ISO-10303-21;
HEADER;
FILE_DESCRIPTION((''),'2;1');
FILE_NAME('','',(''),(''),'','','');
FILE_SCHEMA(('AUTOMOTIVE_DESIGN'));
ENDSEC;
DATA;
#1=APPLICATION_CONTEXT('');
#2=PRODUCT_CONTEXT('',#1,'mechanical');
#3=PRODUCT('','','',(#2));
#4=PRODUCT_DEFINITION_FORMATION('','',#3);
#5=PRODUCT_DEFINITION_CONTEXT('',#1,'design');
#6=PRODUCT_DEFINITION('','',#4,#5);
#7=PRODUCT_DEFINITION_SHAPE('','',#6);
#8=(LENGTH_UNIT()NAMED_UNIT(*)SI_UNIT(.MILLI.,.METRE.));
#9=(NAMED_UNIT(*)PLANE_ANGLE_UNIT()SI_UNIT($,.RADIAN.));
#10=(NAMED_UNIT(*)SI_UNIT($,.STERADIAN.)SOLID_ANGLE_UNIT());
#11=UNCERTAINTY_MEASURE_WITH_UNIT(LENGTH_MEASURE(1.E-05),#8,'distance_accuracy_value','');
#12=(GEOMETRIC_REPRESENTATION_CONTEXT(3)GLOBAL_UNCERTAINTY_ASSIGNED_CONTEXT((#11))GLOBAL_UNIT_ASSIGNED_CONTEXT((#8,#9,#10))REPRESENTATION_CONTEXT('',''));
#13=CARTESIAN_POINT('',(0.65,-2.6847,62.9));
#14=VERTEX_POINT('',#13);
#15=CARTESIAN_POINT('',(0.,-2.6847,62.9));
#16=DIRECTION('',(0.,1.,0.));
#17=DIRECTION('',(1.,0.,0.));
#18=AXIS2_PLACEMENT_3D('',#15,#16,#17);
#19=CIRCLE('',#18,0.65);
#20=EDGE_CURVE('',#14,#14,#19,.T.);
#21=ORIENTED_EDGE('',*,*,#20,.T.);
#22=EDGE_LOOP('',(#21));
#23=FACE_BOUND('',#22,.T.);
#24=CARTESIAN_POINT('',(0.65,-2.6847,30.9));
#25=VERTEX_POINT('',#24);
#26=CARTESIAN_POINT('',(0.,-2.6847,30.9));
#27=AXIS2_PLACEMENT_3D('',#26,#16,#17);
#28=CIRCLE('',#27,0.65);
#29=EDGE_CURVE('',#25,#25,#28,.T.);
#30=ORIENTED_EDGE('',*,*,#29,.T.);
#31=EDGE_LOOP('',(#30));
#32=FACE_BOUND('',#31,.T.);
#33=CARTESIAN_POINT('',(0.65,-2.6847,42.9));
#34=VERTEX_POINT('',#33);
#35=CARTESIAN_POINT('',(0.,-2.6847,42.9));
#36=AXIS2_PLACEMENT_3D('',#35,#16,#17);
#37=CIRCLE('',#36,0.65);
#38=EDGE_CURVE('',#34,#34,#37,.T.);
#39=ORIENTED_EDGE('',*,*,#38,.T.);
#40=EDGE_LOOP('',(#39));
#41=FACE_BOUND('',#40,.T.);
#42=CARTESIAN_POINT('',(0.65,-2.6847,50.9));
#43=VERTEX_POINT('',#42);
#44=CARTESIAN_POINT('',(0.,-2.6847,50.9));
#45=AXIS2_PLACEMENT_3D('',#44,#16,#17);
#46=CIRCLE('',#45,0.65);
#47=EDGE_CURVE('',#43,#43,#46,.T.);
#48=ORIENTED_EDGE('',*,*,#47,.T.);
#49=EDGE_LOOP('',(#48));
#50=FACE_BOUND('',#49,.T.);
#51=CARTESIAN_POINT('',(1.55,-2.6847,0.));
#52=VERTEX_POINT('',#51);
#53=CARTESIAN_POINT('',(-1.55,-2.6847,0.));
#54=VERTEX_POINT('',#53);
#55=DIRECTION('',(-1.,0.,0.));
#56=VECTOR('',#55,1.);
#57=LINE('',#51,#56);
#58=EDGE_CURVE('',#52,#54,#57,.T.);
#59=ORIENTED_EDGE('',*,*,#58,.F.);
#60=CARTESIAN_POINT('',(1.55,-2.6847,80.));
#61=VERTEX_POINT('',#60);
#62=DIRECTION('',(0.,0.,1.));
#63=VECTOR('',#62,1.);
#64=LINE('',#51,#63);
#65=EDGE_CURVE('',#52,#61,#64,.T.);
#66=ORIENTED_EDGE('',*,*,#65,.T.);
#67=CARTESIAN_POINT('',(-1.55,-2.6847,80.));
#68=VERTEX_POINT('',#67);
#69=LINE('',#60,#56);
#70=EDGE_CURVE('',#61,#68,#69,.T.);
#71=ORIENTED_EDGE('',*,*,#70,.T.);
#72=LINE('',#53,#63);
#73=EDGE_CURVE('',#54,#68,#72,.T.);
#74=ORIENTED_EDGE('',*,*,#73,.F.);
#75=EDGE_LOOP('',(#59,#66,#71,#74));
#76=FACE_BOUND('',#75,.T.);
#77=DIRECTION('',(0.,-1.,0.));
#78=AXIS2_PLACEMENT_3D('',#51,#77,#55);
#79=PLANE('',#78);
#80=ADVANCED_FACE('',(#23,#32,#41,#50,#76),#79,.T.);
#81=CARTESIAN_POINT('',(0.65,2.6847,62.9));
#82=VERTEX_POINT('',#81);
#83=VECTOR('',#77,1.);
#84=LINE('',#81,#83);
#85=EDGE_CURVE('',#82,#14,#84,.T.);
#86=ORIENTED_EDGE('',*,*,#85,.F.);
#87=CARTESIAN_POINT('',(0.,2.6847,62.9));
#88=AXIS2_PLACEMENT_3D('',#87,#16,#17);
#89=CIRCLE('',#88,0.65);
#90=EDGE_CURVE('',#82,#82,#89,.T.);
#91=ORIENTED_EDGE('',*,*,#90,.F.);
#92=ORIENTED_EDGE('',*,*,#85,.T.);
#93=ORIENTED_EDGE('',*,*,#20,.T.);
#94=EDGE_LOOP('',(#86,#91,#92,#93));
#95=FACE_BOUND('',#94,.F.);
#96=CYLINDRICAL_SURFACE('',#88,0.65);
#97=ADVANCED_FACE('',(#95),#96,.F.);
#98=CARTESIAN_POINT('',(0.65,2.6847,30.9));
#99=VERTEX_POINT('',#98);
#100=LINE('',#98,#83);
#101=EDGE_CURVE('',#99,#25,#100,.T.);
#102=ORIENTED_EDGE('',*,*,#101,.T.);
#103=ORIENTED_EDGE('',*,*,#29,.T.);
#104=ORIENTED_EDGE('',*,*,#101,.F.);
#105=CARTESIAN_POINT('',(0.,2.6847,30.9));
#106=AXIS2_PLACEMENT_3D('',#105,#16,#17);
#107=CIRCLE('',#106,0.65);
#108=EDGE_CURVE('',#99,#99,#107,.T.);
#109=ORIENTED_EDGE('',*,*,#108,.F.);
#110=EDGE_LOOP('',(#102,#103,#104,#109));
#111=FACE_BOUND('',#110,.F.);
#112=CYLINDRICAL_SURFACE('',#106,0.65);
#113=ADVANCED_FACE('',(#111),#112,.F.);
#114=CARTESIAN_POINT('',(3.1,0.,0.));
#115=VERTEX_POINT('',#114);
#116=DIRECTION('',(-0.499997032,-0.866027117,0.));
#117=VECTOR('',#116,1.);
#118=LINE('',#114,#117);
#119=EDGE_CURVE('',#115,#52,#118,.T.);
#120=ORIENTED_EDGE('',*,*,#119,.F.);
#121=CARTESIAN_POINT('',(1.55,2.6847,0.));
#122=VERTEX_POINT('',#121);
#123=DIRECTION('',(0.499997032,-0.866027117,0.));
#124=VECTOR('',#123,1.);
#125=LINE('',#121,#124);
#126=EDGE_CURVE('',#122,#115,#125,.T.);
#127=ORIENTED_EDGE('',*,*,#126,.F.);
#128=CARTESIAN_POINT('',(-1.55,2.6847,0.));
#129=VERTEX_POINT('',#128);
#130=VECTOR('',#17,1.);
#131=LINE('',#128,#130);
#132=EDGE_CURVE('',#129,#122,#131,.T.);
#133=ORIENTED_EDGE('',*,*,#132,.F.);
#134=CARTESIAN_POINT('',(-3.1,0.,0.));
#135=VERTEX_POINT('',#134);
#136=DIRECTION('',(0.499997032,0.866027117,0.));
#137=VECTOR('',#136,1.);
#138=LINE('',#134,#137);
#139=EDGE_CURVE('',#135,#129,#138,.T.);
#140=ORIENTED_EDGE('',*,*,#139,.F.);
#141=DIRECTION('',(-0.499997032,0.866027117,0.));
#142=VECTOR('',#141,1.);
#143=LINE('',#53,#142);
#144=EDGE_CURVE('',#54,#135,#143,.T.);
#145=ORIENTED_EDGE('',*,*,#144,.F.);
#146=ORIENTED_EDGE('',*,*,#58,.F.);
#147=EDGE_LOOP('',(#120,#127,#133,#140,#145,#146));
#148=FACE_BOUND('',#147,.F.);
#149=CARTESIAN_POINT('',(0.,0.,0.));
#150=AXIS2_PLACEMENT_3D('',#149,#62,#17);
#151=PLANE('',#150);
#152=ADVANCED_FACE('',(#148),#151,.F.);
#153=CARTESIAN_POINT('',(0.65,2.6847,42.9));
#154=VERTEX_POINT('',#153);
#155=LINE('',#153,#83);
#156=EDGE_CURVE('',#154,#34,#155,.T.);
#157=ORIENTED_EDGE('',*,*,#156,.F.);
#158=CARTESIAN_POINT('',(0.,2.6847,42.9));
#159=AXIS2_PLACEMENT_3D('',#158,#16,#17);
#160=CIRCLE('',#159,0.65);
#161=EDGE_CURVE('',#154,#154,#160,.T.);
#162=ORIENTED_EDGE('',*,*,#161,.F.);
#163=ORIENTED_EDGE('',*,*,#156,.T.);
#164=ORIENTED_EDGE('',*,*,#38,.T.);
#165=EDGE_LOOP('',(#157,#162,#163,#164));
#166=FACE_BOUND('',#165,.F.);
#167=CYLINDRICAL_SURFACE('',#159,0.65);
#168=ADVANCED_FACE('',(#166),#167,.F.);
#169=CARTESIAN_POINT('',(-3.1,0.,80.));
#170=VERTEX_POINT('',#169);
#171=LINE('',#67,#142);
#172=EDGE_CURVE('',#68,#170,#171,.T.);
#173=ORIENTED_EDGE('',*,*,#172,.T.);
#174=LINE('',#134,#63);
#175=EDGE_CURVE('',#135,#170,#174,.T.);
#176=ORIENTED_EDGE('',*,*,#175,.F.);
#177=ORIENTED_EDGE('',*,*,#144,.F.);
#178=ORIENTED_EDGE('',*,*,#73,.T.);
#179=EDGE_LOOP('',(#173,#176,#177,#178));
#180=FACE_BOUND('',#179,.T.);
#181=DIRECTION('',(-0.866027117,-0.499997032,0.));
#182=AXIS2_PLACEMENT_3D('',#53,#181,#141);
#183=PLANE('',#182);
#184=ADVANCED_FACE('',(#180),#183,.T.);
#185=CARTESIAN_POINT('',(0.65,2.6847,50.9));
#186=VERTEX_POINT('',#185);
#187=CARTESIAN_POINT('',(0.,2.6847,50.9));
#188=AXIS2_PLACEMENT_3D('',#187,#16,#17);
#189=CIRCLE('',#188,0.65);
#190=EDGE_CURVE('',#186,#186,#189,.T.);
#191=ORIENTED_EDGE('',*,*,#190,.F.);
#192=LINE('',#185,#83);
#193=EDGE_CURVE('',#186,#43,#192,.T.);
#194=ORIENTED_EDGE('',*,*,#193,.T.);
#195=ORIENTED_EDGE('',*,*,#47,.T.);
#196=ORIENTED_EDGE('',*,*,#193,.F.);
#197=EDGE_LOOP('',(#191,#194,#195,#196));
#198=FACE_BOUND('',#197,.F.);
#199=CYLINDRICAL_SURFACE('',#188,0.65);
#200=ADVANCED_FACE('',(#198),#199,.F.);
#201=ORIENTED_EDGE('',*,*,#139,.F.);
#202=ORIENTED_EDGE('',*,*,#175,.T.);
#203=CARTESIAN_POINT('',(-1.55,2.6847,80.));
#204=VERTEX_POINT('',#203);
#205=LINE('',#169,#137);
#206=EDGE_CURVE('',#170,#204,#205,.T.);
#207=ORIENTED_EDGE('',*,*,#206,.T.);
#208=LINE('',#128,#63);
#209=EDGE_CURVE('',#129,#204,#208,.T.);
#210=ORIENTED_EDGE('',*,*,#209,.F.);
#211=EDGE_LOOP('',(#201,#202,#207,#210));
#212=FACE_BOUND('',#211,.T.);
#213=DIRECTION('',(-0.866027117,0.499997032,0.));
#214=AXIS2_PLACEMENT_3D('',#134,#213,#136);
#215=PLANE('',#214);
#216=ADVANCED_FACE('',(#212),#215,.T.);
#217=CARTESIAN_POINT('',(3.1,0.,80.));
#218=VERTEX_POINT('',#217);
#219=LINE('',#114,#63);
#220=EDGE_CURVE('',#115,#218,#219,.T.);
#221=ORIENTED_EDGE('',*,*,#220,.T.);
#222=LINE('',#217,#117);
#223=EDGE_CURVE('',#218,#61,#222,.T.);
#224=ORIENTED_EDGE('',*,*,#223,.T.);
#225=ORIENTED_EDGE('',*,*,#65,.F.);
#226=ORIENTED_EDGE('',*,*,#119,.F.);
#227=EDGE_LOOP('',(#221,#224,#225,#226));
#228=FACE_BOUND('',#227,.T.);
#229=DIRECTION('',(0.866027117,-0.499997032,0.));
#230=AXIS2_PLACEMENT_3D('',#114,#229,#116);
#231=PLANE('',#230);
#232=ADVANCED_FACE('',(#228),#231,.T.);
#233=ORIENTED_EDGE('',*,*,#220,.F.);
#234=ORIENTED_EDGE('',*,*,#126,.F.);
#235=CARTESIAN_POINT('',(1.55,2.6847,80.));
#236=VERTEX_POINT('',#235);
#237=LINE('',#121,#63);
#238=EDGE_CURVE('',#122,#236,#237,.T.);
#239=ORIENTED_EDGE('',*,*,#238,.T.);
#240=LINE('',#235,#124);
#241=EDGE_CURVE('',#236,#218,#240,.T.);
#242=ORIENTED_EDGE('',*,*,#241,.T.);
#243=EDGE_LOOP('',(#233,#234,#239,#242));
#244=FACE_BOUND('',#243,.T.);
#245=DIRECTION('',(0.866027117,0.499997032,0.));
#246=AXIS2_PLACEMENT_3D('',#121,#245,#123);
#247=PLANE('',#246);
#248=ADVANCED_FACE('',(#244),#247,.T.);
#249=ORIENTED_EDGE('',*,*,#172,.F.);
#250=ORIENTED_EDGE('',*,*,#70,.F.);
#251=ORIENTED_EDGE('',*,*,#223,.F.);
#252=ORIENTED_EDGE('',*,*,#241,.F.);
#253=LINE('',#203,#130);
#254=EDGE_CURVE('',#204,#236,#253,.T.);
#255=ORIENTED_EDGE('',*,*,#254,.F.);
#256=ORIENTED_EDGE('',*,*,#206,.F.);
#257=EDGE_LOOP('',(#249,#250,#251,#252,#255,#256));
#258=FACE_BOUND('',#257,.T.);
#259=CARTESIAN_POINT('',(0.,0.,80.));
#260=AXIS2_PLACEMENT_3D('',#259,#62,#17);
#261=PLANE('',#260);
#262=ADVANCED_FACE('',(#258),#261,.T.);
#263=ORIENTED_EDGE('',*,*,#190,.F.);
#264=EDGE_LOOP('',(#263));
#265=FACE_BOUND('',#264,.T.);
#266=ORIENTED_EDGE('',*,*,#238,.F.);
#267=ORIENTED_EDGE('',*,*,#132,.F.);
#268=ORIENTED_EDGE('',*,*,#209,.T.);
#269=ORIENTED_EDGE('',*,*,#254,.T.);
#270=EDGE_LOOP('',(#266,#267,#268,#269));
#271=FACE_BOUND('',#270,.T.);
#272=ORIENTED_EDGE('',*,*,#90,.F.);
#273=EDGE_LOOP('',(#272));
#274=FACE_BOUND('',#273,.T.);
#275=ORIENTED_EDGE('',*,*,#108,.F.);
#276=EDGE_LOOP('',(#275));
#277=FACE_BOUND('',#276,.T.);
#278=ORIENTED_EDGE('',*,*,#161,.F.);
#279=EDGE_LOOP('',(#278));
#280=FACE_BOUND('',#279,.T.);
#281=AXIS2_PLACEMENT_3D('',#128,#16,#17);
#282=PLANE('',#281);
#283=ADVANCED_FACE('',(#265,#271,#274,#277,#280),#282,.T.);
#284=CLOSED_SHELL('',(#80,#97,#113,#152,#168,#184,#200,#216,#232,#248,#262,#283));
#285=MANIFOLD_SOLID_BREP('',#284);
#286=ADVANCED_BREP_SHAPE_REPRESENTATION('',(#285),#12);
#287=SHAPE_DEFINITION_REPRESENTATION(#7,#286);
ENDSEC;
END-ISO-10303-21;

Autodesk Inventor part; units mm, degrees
ref_plane "YZ Plane" through (0, 0, 0) normal (1, 0, 0) x (0, 1, 0)
ref_plane "XZ Plane" through (0, 0, 0) normal (0, 1, 0) x (-1, 0, 0)
ref_plane "XY Plane" through (0, 0, 0) normal (0, 0, 1) x (1, 0, 0)
sketch "Sketch5" plane through (0, 0, 0) normal (0, 0, 1) x (1, 0, 0)
  line L0 (0, 0) -> (3.1, 0) construction
  circle A0 centre (0, 0) radius 3.1 construction
  line L1 (0, 0) -> (1.55, 2.6847) construction
  line L2 (0, 0) -> (-1.55, 2.6847) construction
  line L3 (0, 0) -> (-3.1, 0) construction
  line L4 (0, 0) -> (-1.55, -2.6847) construction
  line L5 (0, 0) -> (1.55, -2.6847) construction
  line L6 (-1.55, 2.6847) -> (1.55, 2.6847)
  line L7 (1.55, 2.6847) -> (3.1, 0)
  line L8 (3.1, 0) -> (1.55, -2.6847)
  line L9 (1.55, -2.6847) -> (-1.55, -2.6847)
  line L10 (-1.55, -2.6847) -> (-3.1, 0)
  line L11 (-3.1, 0) -> (-1.55, 2.6847)
  dimension "d9" = 3.1
  dimension "d12" = 360
extrude "Extrusion5" add sketch "Sketch5" along normal blind 80
sketch "Sketch6" plane through (-1.55, 2.6847, 0) normal (0, 1, 0) x (1, 0, 0)
  line L0 (3.1, -80) -> (0, -80) construction
  line L1 (3.1, 0) -> (0, 0) construction
  line L2 (0, -80) -> (3.1, -80) construction
  line L3 (1.55, -80) -> (1.55, 0) construction
  line L4 (3.1, 0) -> (3.1, -80) projected
  circle A0 centre (1.55, -30.9) radius 0.65
  circle A1 centre (1.55, -42.9) radius 0.65
  circle A2 centre (1.55, -50.9) radius 0.65
  circle A3 centre (1.55, -62.9) radius 0.65
  dimension "d16" = 1.3
  dimension "d17" = 49.1
  dimension "d18" = 37.1
  dimension "d19" = 29.1
  dimension "d20" = 17.1
extrude "Extrusion6" cut sketch "Sketch6" against normal blind 6
properties part number "Eje2"
